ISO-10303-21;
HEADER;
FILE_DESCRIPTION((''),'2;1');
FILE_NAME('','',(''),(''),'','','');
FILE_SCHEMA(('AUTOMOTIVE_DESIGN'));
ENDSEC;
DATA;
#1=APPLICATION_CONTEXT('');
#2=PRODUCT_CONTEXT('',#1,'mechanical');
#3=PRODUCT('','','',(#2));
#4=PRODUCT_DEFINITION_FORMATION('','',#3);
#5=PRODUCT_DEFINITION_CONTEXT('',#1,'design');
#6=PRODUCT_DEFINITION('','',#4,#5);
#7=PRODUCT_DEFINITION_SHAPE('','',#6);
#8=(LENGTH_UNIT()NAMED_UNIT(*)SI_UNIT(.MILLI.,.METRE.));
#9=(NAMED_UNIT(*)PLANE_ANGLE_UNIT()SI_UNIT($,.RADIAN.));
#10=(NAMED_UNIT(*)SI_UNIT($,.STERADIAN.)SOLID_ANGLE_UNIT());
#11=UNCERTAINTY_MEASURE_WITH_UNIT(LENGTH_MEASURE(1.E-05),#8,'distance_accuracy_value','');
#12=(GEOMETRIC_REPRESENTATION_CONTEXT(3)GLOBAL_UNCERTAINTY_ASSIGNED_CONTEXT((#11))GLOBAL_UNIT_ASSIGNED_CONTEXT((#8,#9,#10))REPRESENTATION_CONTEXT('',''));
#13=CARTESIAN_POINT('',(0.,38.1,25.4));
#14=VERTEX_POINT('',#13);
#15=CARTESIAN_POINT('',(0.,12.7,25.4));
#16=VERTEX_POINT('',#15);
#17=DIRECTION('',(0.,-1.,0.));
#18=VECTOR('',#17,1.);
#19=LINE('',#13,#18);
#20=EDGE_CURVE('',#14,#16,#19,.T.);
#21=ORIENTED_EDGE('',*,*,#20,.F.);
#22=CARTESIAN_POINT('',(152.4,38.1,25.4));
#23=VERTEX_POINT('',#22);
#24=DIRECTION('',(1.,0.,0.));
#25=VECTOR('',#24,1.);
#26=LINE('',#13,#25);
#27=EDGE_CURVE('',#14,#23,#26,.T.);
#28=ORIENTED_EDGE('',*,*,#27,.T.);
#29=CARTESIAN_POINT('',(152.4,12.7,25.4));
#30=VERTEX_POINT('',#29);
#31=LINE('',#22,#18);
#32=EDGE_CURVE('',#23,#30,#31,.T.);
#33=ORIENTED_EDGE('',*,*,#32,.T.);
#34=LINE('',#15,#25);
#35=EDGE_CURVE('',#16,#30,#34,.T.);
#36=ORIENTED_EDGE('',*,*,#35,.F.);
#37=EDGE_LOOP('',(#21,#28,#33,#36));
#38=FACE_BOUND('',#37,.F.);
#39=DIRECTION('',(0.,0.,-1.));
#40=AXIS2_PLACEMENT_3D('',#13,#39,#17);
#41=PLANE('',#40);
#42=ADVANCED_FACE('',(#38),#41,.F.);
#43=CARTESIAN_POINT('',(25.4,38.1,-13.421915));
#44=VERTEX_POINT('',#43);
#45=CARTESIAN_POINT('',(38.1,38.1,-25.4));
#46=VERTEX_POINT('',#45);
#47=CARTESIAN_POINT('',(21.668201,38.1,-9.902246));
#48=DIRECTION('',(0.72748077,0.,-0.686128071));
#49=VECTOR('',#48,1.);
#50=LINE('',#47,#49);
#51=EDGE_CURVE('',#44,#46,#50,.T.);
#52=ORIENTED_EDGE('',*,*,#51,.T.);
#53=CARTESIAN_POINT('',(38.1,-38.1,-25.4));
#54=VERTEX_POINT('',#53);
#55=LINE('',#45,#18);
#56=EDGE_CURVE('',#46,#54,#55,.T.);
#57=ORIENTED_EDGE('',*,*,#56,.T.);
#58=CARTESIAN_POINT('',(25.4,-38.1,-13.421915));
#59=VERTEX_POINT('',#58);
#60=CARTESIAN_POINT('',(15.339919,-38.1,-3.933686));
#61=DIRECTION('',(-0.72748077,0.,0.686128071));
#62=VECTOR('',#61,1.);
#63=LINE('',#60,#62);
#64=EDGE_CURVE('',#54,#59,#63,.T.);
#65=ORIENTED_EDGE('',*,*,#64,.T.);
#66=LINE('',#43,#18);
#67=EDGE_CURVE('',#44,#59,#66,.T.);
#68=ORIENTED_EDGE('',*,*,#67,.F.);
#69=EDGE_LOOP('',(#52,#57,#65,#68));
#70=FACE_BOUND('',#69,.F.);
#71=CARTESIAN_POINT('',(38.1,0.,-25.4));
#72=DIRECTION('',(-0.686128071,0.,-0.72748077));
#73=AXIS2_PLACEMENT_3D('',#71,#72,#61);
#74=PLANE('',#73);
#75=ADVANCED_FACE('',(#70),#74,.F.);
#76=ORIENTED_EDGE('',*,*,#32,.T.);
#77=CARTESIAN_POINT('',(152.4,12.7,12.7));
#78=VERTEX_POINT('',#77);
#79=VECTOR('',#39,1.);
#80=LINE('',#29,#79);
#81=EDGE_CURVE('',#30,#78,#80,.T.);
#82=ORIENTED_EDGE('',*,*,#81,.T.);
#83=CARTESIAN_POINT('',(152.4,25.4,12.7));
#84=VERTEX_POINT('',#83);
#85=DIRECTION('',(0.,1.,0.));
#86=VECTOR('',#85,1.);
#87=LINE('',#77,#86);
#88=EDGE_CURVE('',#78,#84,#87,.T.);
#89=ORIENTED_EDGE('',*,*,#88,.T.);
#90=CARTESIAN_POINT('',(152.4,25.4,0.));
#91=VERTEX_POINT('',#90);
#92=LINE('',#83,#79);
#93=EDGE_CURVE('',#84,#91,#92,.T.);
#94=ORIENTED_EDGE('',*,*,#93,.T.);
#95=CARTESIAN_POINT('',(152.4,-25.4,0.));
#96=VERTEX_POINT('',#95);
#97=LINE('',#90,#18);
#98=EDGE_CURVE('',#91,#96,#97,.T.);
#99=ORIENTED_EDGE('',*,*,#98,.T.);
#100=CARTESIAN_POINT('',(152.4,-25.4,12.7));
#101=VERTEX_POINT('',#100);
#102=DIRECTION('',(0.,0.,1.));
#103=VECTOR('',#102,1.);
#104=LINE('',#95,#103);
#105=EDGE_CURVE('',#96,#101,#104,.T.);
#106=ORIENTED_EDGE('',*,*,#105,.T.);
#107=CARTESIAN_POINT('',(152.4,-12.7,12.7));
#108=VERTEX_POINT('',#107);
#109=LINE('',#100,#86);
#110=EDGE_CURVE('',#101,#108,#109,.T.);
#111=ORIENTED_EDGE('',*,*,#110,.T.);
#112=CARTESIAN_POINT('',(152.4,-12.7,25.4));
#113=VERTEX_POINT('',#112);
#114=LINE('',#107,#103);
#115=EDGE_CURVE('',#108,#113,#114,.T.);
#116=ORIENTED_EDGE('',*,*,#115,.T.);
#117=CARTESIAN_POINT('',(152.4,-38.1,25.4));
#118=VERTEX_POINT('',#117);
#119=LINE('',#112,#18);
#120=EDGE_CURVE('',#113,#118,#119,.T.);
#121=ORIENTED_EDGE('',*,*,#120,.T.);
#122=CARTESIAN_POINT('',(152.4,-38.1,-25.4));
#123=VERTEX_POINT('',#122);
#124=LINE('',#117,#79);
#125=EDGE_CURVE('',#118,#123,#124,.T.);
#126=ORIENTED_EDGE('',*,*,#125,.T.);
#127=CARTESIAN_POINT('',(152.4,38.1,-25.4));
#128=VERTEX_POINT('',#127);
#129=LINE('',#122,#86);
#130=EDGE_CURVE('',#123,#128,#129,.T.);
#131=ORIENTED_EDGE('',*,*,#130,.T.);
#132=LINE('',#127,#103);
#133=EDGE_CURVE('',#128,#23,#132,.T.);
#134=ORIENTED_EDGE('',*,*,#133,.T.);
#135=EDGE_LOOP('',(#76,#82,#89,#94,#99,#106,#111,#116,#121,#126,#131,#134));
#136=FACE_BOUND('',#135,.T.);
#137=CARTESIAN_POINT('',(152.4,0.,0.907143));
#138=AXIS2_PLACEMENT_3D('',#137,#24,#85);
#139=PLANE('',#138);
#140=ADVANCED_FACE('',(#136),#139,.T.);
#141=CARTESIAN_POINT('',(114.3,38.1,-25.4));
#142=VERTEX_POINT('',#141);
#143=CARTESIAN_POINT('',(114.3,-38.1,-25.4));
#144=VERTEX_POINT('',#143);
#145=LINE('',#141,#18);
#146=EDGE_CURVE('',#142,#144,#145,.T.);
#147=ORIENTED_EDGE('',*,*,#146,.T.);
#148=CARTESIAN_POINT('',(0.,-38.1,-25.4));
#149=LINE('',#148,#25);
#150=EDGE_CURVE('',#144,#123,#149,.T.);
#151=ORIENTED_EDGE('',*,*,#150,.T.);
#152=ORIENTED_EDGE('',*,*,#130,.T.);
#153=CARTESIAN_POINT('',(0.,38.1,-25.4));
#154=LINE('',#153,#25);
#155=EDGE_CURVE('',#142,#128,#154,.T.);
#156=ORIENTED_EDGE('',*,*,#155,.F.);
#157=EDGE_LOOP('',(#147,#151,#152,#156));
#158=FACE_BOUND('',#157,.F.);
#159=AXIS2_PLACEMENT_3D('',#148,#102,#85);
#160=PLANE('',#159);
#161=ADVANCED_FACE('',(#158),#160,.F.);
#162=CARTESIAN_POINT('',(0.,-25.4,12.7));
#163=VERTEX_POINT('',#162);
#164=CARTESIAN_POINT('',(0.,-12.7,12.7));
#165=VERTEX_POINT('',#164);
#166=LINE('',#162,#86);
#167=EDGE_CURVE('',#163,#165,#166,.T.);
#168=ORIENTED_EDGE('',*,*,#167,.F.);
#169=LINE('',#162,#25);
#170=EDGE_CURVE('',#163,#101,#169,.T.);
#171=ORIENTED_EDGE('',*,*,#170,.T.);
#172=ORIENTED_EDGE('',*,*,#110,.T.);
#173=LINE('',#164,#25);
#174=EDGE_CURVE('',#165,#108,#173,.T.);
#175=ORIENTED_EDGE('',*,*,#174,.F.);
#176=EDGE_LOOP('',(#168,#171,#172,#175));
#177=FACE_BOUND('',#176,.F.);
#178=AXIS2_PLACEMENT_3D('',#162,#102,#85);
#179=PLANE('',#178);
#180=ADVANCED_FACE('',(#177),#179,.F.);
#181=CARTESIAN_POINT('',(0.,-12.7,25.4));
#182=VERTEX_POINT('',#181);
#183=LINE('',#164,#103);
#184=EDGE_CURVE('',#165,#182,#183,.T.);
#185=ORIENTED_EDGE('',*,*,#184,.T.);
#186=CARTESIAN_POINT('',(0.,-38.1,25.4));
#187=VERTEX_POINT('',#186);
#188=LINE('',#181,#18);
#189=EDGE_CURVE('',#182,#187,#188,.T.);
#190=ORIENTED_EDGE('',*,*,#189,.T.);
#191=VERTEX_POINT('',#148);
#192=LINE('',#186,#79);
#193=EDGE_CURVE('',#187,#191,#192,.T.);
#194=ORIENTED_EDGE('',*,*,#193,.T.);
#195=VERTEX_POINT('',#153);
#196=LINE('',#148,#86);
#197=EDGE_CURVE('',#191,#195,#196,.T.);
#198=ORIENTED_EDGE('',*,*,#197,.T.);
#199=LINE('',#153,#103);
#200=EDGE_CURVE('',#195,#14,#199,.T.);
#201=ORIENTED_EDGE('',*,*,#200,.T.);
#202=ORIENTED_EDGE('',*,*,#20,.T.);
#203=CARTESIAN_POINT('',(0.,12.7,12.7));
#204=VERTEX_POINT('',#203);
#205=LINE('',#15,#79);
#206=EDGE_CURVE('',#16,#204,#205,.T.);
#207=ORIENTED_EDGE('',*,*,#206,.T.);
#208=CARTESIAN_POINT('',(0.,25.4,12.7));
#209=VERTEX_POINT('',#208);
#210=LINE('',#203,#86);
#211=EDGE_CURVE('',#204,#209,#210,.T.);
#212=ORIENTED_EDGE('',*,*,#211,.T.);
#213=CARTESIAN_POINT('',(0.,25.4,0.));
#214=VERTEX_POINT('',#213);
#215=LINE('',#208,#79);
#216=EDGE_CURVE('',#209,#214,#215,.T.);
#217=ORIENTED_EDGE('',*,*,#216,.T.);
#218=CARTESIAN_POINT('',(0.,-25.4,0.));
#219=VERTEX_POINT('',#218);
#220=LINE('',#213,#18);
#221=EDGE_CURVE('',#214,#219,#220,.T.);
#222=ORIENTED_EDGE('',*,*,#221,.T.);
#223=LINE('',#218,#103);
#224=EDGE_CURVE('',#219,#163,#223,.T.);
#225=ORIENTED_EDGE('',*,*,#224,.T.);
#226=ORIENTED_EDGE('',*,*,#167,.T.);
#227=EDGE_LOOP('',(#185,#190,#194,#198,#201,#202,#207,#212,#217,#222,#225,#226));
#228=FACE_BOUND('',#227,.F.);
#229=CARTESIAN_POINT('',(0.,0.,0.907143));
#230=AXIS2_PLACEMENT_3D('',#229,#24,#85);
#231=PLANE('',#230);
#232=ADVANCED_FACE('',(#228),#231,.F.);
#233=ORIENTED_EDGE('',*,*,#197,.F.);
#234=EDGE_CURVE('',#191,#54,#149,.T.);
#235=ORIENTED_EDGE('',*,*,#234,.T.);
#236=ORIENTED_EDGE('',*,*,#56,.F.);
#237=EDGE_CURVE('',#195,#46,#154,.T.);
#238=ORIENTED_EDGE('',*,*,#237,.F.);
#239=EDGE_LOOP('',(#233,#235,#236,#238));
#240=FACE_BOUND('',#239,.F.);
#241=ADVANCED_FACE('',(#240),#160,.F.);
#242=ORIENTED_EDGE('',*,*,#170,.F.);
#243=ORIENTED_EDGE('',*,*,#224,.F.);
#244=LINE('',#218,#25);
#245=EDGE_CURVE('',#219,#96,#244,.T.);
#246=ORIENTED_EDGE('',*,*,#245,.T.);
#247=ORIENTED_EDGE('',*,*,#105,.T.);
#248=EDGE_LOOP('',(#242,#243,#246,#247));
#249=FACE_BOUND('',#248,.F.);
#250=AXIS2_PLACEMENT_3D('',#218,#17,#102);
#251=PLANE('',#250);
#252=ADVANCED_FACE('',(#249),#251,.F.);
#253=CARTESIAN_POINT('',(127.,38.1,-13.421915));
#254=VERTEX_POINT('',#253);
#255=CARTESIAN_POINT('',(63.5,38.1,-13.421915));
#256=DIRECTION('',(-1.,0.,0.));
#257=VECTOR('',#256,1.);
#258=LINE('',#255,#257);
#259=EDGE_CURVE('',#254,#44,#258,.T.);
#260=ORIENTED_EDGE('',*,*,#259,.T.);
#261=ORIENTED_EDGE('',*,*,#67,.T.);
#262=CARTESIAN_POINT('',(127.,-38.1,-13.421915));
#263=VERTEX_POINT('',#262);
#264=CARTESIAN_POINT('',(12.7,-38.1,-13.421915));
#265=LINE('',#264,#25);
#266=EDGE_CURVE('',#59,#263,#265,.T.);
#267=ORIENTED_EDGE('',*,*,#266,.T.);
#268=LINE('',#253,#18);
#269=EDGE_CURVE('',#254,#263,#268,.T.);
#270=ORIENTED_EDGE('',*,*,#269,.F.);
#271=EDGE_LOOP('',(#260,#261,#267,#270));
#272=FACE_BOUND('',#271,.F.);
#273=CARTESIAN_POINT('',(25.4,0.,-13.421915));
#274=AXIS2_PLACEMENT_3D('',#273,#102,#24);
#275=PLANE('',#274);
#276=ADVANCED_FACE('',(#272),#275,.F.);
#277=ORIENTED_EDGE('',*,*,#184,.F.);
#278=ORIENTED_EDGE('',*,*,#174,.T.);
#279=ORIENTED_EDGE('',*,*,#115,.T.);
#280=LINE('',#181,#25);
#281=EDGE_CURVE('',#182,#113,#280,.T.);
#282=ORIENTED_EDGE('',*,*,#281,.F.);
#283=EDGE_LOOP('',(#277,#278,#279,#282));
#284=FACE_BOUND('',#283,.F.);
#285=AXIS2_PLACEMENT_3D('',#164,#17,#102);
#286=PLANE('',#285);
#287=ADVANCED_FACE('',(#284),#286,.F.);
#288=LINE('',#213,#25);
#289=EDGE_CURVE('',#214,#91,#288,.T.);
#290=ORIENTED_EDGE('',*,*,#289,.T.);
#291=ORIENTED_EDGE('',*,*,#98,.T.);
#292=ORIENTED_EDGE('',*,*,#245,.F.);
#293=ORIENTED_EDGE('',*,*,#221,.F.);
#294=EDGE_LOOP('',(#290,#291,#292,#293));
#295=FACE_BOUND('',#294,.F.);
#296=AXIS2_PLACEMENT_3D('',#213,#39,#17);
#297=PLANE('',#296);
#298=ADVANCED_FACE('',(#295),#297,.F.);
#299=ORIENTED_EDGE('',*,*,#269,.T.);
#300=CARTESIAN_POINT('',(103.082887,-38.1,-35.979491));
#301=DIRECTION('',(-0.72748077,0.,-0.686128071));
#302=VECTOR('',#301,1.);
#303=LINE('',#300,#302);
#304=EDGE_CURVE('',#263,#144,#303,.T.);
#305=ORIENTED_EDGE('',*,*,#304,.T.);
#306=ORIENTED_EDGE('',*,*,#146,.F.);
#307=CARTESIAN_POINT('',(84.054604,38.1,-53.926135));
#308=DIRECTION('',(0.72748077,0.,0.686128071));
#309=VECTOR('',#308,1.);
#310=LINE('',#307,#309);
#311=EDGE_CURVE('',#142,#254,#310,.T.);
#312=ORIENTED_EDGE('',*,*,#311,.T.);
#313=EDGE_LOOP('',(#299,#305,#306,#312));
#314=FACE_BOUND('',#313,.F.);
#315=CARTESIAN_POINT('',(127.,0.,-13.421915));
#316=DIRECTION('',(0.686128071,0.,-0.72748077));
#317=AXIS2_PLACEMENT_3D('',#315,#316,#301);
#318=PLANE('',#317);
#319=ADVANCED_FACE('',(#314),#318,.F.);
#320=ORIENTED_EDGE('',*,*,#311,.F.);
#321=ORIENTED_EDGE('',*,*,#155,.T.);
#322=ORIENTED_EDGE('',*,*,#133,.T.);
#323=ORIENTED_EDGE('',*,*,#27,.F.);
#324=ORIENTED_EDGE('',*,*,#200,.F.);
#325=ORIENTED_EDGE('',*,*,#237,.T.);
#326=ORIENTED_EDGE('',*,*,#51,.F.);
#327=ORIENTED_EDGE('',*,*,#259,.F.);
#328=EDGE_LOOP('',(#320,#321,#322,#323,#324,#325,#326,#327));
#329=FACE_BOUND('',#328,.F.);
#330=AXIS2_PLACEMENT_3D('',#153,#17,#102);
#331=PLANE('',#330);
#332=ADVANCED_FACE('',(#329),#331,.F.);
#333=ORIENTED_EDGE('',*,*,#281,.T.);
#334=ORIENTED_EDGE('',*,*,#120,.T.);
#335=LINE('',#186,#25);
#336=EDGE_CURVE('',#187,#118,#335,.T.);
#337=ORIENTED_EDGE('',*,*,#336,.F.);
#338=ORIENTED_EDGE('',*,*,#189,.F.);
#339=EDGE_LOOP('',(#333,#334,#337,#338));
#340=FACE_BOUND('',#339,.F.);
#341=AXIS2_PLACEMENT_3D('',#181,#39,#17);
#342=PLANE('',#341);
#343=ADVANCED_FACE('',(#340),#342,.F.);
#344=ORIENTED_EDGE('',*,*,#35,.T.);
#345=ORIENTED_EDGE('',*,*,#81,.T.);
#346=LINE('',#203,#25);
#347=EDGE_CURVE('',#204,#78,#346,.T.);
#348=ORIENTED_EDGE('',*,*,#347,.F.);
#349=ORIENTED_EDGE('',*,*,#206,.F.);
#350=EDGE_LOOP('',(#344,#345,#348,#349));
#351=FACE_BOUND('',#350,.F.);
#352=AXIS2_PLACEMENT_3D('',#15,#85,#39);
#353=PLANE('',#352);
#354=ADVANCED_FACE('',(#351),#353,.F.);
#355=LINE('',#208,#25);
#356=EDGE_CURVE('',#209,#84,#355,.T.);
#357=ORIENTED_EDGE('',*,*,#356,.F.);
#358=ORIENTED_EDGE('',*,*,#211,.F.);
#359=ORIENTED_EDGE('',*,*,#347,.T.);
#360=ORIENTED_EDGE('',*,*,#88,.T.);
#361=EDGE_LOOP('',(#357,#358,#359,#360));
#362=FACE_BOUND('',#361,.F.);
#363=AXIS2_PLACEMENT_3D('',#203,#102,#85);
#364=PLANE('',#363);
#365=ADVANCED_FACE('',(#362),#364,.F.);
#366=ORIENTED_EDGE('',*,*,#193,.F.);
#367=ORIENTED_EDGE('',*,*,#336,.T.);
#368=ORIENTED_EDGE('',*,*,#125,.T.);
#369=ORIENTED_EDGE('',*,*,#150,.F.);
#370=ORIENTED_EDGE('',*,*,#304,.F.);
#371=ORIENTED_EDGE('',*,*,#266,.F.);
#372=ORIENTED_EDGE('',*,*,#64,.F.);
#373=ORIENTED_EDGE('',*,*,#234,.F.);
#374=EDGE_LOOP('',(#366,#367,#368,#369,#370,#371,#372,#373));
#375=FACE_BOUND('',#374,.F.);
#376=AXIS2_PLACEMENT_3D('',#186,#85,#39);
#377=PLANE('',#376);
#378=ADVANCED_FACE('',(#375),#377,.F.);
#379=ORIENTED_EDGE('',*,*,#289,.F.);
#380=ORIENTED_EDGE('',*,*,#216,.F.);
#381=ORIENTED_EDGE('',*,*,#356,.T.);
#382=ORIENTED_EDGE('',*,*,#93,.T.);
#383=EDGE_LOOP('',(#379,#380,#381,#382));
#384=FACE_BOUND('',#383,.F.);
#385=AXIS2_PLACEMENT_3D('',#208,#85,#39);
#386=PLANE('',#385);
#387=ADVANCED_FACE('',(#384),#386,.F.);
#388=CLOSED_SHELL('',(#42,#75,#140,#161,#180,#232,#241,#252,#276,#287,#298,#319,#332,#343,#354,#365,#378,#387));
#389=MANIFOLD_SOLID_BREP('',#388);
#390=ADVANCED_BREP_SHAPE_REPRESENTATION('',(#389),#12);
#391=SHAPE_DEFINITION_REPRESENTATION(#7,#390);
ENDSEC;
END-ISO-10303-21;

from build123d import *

# Parameters (mm, degrees)
F1_DEPTH = 152.4
F3_DEPTH = 76.2
F5_DEPTH = 76.2


with BuildPart() as f1:
    # F0 (on Right) → F1 (new body)
    with BuildSketch(Plane.YZ):
        Polygon((-12.7, 25.4), (-38.1, 25.4), (-38.1, -25.4), (38.1, -25.4), (38.1, 25.4), (12.7, 25.4), (12.7, 12.7), (25.4, 12.7), (25.4, 0), (-25.4, 0), (-25.4, 12.7), (-12.7, 12.7), align=None)
    extrude(amount=F1_DEPTH)

    # F2 (on Front) → F3 (cut)
    with BuildSketch(Plane.XZ):
        Polygon((25.4, -13.421915), (38.1, -25.4), (93.651866, -25.4), (114.3, -25.4), (127, -13.421915), align=None)
    extrude(amount=-F3_DEPTH, mode=Mode.SUBTRACT)

    # F4 (on face) → F5 (cut)
    with BuildSketch(Plane(origin=(0, 0, 0), x_dir=(-1, 0, 0), z_dir=(0, 1, 0))):
        Polygon((-114.3, -25.4), (-38.1, -25.4), (-25.4, -13.421915), (-127, -13.421915), align=None)
    extrude(amount=-F5_DEPTH, mode=Mode.SUBTRACT)


solid = f1.part
